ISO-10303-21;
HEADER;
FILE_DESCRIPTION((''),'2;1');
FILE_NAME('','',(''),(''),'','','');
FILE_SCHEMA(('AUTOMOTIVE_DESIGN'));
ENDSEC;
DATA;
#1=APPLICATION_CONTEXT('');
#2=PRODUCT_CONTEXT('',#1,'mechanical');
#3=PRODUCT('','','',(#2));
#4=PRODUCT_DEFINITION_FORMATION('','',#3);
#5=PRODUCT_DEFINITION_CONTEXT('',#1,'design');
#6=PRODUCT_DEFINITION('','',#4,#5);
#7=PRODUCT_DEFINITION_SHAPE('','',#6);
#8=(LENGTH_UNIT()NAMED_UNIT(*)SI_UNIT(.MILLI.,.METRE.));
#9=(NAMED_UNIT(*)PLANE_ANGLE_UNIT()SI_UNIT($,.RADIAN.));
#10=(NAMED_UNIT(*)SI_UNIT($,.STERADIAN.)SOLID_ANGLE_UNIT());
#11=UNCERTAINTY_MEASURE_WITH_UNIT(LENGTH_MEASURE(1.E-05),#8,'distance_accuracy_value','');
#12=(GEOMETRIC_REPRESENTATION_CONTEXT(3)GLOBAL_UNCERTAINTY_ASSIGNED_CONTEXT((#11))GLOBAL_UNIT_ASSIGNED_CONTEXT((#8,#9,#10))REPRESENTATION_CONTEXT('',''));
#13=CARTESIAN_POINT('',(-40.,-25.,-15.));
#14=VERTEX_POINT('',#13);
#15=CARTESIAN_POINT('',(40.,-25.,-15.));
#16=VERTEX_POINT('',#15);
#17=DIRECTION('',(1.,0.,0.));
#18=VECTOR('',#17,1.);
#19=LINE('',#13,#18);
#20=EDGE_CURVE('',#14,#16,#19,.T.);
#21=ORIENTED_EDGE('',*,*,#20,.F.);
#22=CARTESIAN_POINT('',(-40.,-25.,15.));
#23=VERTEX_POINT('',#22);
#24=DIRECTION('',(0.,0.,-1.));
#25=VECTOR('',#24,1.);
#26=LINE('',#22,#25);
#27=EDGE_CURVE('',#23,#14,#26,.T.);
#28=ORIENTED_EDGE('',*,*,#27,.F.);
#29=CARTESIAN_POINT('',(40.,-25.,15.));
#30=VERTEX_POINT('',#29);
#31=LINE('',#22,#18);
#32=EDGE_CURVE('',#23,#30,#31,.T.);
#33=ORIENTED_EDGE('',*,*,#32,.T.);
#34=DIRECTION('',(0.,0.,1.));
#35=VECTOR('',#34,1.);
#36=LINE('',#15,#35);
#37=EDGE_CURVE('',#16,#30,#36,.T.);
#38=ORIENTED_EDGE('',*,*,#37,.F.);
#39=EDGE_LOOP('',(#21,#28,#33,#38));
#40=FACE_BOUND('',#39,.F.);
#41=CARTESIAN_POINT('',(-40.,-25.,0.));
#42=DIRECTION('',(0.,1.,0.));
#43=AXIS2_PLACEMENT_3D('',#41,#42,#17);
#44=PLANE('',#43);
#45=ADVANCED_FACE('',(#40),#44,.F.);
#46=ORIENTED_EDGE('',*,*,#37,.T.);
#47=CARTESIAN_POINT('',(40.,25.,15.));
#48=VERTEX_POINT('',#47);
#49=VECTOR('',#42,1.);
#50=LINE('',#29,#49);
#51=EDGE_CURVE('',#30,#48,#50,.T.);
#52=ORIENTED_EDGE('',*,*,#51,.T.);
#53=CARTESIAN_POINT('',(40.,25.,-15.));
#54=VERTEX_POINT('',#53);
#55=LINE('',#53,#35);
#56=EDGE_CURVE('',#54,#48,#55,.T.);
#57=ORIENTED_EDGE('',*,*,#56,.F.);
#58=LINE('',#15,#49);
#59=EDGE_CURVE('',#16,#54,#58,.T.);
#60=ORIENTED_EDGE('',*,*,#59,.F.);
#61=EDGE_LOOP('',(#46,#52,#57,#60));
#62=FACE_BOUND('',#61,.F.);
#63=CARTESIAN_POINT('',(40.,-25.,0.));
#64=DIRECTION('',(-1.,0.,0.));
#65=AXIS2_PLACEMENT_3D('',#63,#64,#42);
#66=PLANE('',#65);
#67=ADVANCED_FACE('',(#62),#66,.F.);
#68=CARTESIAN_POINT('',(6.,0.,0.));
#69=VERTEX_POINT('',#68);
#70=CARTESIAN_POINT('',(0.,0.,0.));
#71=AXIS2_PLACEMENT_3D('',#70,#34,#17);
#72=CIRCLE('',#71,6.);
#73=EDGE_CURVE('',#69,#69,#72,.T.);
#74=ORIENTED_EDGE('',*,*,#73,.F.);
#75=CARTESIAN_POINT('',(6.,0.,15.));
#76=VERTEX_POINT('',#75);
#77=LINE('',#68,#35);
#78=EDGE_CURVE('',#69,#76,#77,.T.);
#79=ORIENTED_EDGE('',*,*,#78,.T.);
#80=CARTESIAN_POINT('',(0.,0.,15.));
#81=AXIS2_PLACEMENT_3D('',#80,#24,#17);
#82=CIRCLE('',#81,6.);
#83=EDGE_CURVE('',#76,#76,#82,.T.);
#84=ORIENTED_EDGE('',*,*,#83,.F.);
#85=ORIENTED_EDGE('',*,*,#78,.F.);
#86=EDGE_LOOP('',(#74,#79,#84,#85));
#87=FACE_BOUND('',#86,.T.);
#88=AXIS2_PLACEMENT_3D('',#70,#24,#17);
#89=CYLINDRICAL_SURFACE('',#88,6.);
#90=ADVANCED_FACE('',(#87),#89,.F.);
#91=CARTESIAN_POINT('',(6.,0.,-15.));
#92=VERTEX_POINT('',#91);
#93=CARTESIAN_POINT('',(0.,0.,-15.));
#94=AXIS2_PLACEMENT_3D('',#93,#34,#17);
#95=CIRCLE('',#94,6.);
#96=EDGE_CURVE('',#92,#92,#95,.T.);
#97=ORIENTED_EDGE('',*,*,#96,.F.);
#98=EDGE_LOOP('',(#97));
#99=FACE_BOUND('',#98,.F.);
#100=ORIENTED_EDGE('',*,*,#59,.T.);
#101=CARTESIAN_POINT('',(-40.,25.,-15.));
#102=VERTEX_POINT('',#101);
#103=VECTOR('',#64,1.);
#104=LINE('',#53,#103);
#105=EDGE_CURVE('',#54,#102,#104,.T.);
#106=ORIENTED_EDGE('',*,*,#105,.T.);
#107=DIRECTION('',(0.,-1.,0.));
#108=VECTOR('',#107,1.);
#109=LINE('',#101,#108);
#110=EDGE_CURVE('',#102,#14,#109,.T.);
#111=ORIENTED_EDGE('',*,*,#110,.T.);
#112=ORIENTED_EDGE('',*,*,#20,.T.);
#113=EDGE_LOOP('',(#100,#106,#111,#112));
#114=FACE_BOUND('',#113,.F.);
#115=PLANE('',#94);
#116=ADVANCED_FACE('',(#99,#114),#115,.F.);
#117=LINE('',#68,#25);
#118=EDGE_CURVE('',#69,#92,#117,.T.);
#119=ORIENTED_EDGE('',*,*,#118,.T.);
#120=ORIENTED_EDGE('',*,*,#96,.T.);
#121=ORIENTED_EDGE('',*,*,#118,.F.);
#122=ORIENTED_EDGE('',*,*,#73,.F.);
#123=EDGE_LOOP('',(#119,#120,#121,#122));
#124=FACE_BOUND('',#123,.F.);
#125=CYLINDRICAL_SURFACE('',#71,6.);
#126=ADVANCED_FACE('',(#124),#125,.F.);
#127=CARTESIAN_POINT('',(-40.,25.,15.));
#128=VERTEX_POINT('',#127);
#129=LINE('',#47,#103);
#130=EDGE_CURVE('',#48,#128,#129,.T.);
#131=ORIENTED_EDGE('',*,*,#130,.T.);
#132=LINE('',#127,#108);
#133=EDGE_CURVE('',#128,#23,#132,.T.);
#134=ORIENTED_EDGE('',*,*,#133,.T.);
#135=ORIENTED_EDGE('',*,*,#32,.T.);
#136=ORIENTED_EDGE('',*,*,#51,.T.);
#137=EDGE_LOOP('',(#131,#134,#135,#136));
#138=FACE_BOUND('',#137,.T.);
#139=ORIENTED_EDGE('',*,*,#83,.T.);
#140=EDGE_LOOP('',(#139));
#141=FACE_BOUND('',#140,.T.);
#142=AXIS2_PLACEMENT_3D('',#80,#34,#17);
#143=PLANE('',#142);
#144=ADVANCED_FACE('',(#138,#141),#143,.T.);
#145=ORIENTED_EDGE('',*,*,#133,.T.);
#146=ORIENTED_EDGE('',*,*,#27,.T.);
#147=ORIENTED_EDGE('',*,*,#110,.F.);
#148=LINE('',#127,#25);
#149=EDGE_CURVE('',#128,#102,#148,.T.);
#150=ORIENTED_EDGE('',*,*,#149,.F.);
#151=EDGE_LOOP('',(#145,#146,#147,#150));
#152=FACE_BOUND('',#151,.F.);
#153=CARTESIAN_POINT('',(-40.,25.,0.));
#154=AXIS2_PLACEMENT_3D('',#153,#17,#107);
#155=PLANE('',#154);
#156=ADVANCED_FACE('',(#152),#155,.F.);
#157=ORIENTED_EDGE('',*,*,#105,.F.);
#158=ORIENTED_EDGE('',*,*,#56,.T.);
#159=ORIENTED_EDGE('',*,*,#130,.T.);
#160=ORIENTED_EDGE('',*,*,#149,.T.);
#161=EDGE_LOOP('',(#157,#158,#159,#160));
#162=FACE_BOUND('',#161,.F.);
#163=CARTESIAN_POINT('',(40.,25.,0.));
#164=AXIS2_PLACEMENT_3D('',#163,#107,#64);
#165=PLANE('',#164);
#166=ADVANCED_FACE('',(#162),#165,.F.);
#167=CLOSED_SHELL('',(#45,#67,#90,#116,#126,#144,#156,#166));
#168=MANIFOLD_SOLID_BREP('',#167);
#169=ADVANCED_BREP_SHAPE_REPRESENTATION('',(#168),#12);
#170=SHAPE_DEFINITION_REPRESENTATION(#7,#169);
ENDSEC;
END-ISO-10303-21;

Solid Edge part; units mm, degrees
sketch "Sketch1" plane through (0, 0, 0) normal (0, 0, 1) x (1, 0, 0)
  line L0 (-40, -25) -> (40, -25)
  line L1 (40, -25) -> (40, 25)
  line L2 (40, 25) -> (-40, 25)
  line L3 (-40, 25) -> (-40, -25)
extrude "Extrusionsausprägung_1" add sketch "Sketch1" along normal mid plane 30
sketch "Sketch2" plane through (0, 0, 0) normal (0, 0, 1) x (1, 0, 0)
  circle A0 centre (0, 0) radius 6
extrude "Cutout1" cut sketch "Sketch2" along normal through all and the other way through all
